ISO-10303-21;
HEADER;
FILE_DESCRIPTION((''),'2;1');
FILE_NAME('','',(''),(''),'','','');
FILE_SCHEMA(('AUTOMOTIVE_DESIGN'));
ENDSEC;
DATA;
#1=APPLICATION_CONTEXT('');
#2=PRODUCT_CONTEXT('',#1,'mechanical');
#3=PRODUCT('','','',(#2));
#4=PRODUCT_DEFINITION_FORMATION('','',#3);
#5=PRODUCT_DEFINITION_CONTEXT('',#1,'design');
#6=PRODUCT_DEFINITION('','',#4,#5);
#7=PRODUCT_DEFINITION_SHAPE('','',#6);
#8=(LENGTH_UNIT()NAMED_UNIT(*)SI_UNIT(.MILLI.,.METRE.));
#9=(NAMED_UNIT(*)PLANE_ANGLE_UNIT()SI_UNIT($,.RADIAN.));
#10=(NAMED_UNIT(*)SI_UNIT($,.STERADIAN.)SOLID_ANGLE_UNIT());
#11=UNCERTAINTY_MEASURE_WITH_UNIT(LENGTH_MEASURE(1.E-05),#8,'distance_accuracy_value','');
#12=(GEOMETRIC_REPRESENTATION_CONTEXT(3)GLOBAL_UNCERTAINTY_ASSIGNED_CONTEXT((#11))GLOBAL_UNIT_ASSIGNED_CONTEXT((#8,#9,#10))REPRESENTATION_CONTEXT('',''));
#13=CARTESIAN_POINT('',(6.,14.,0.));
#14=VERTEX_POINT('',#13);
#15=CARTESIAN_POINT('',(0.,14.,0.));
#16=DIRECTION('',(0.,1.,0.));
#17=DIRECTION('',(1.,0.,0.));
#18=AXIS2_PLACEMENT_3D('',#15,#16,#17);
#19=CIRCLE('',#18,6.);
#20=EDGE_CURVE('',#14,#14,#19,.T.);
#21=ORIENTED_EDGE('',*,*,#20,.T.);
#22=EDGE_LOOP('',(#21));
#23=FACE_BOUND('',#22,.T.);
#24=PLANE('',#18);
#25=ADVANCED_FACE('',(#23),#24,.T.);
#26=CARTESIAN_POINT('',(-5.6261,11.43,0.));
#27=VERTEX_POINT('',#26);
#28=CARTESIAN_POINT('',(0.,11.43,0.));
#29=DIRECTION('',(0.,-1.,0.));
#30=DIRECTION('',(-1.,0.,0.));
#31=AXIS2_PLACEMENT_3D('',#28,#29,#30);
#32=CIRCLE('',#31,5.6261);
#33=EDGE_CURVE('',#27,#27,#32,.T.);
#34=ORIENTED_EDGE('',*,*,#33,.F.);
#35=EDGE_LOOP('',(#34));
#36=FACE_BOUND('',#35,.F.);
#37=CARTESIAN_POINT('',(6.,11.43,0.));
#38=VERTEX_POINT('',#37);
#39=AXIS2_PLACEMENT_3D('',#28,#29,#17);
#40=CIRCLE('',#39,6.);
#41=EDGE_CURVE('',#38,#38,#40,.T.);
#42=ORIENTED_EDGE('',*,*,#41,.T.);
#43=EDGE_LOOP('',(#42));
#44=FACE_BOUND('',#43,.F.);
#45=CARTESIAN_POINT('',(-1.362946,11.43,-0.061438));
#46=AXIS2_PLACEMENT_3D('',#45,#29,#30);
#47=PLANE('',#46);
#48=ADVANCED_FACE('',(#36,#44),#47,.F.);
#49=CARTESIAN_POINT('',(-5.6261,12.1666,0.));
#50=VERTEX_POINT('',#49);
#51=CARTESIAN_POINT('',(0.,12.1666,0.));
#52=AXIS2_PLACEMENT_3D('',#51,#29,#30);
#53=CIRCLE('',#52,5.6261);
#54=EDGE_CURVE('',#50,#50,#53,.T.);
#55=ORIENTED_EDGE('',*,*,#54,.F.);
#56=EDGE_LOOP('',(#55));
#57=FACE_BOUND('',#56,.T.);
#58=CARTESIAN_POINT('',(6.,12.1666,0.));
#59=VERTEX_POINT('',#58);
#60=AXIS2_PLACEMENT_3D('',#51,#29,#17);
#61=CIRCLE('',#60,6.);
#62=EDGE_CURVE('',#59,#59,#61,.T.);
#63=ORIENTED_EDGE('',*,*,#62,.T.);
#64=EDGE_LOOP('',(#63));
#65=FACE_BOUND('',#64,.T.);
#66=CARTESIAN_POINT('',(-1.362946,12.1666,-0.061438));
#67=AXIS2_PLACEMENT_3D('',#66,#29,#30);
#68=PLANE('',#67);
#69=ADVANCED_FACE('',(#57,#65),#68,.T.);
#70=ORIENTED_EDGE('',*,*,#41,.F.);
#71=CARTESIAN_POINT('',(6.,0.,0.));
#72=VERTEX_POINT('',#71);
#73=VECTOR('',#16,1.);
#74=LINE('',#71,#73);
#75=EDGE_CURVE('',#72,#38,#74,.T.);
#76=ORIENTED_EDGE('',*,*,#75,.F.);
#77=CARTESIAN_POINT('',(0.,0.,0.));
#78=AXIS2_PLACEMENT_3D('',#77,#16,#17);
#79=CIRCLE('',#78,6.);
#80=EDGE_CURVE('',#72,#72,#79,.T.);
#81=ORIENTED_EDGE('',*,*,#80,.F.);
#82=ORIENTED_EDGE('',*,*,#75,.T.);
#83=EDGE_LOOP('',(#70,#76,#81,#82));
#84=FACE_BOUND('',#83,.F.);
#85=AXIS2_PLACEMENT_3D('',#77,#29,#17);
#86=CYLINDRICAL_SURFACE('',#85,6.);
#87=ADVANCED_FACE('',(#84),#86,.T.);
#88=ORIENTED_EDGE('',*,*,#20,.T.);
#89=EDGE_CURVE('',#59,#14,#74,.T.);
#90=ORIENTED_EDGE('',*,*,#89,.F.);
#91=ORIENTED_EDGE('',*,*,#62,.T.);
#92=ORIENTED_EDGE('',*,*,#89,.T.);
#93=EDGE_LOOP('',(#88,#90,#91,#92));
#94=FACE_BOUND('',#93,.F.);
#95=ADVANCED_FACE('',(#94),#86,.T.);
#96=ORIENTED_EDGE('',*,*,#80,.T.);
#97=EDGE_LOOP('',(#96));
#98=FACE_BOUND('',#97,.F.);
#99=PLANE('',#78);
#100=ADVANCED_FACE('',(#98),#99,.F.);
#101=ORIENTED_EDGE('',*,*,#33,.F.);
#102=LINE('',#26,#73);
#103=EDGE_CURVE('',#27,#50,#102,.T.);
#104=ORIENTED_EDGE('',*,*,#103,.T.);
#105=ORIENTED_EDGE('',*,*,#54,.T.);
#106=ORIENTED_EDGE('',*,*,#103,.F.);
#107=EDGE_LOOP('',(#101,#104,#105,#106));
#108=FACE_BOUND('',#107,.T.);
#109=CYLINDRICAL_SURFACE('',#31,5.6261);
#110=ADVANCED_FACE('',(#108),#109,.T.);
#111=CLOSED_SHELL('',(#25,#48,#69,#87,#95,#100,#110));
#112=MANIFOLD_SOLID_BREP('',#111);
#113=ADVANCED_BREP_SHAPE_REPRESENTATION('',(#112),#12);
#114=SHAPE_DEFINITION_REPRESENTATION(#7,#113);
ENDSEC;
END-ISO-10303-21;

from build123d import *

# Parameters (mm, degrees)
SKETCH1_R           = 6
BOSS_EXTRUDE1_DEPTH = 14
SKETCH2_R           = 5.6261
CUT_EXTRUDE1_DEPTH  = 0.7366


with BuildPart() as part:
    # Sketch1 → Boss-Extrude1 (new body)
    with BuildSketch(Plane(origin=(0, 0, 0), x_dir=(1, 0, 0), z_dir=(0, 1, 0))):
        Circle(SKETCH1_R)
    extrude(amount=BOSS_EXTRUDE1_DEPTH)

    # Sketch2 → Cut-Extrude1 (cut)
    with BuildSketch(Plane(origin=(0, 11.43, 0), x_dir=(-1, 0, 0), z_dir=(0, -1, 0))):
        Polygon((-7.456726378, 6.985786616), (-7.456726378, -7.652827554), (9.78325703, -7.652827554), (9.78325703, 8.499310536), align=None)
        Circle(SKETCH2_R, mode=Mode.SUBTRACT)
    extrude(amount=-CUT_EXTRUDE1_DEPTH, mode=Mode.SUBTRACT)


solid = part.part
